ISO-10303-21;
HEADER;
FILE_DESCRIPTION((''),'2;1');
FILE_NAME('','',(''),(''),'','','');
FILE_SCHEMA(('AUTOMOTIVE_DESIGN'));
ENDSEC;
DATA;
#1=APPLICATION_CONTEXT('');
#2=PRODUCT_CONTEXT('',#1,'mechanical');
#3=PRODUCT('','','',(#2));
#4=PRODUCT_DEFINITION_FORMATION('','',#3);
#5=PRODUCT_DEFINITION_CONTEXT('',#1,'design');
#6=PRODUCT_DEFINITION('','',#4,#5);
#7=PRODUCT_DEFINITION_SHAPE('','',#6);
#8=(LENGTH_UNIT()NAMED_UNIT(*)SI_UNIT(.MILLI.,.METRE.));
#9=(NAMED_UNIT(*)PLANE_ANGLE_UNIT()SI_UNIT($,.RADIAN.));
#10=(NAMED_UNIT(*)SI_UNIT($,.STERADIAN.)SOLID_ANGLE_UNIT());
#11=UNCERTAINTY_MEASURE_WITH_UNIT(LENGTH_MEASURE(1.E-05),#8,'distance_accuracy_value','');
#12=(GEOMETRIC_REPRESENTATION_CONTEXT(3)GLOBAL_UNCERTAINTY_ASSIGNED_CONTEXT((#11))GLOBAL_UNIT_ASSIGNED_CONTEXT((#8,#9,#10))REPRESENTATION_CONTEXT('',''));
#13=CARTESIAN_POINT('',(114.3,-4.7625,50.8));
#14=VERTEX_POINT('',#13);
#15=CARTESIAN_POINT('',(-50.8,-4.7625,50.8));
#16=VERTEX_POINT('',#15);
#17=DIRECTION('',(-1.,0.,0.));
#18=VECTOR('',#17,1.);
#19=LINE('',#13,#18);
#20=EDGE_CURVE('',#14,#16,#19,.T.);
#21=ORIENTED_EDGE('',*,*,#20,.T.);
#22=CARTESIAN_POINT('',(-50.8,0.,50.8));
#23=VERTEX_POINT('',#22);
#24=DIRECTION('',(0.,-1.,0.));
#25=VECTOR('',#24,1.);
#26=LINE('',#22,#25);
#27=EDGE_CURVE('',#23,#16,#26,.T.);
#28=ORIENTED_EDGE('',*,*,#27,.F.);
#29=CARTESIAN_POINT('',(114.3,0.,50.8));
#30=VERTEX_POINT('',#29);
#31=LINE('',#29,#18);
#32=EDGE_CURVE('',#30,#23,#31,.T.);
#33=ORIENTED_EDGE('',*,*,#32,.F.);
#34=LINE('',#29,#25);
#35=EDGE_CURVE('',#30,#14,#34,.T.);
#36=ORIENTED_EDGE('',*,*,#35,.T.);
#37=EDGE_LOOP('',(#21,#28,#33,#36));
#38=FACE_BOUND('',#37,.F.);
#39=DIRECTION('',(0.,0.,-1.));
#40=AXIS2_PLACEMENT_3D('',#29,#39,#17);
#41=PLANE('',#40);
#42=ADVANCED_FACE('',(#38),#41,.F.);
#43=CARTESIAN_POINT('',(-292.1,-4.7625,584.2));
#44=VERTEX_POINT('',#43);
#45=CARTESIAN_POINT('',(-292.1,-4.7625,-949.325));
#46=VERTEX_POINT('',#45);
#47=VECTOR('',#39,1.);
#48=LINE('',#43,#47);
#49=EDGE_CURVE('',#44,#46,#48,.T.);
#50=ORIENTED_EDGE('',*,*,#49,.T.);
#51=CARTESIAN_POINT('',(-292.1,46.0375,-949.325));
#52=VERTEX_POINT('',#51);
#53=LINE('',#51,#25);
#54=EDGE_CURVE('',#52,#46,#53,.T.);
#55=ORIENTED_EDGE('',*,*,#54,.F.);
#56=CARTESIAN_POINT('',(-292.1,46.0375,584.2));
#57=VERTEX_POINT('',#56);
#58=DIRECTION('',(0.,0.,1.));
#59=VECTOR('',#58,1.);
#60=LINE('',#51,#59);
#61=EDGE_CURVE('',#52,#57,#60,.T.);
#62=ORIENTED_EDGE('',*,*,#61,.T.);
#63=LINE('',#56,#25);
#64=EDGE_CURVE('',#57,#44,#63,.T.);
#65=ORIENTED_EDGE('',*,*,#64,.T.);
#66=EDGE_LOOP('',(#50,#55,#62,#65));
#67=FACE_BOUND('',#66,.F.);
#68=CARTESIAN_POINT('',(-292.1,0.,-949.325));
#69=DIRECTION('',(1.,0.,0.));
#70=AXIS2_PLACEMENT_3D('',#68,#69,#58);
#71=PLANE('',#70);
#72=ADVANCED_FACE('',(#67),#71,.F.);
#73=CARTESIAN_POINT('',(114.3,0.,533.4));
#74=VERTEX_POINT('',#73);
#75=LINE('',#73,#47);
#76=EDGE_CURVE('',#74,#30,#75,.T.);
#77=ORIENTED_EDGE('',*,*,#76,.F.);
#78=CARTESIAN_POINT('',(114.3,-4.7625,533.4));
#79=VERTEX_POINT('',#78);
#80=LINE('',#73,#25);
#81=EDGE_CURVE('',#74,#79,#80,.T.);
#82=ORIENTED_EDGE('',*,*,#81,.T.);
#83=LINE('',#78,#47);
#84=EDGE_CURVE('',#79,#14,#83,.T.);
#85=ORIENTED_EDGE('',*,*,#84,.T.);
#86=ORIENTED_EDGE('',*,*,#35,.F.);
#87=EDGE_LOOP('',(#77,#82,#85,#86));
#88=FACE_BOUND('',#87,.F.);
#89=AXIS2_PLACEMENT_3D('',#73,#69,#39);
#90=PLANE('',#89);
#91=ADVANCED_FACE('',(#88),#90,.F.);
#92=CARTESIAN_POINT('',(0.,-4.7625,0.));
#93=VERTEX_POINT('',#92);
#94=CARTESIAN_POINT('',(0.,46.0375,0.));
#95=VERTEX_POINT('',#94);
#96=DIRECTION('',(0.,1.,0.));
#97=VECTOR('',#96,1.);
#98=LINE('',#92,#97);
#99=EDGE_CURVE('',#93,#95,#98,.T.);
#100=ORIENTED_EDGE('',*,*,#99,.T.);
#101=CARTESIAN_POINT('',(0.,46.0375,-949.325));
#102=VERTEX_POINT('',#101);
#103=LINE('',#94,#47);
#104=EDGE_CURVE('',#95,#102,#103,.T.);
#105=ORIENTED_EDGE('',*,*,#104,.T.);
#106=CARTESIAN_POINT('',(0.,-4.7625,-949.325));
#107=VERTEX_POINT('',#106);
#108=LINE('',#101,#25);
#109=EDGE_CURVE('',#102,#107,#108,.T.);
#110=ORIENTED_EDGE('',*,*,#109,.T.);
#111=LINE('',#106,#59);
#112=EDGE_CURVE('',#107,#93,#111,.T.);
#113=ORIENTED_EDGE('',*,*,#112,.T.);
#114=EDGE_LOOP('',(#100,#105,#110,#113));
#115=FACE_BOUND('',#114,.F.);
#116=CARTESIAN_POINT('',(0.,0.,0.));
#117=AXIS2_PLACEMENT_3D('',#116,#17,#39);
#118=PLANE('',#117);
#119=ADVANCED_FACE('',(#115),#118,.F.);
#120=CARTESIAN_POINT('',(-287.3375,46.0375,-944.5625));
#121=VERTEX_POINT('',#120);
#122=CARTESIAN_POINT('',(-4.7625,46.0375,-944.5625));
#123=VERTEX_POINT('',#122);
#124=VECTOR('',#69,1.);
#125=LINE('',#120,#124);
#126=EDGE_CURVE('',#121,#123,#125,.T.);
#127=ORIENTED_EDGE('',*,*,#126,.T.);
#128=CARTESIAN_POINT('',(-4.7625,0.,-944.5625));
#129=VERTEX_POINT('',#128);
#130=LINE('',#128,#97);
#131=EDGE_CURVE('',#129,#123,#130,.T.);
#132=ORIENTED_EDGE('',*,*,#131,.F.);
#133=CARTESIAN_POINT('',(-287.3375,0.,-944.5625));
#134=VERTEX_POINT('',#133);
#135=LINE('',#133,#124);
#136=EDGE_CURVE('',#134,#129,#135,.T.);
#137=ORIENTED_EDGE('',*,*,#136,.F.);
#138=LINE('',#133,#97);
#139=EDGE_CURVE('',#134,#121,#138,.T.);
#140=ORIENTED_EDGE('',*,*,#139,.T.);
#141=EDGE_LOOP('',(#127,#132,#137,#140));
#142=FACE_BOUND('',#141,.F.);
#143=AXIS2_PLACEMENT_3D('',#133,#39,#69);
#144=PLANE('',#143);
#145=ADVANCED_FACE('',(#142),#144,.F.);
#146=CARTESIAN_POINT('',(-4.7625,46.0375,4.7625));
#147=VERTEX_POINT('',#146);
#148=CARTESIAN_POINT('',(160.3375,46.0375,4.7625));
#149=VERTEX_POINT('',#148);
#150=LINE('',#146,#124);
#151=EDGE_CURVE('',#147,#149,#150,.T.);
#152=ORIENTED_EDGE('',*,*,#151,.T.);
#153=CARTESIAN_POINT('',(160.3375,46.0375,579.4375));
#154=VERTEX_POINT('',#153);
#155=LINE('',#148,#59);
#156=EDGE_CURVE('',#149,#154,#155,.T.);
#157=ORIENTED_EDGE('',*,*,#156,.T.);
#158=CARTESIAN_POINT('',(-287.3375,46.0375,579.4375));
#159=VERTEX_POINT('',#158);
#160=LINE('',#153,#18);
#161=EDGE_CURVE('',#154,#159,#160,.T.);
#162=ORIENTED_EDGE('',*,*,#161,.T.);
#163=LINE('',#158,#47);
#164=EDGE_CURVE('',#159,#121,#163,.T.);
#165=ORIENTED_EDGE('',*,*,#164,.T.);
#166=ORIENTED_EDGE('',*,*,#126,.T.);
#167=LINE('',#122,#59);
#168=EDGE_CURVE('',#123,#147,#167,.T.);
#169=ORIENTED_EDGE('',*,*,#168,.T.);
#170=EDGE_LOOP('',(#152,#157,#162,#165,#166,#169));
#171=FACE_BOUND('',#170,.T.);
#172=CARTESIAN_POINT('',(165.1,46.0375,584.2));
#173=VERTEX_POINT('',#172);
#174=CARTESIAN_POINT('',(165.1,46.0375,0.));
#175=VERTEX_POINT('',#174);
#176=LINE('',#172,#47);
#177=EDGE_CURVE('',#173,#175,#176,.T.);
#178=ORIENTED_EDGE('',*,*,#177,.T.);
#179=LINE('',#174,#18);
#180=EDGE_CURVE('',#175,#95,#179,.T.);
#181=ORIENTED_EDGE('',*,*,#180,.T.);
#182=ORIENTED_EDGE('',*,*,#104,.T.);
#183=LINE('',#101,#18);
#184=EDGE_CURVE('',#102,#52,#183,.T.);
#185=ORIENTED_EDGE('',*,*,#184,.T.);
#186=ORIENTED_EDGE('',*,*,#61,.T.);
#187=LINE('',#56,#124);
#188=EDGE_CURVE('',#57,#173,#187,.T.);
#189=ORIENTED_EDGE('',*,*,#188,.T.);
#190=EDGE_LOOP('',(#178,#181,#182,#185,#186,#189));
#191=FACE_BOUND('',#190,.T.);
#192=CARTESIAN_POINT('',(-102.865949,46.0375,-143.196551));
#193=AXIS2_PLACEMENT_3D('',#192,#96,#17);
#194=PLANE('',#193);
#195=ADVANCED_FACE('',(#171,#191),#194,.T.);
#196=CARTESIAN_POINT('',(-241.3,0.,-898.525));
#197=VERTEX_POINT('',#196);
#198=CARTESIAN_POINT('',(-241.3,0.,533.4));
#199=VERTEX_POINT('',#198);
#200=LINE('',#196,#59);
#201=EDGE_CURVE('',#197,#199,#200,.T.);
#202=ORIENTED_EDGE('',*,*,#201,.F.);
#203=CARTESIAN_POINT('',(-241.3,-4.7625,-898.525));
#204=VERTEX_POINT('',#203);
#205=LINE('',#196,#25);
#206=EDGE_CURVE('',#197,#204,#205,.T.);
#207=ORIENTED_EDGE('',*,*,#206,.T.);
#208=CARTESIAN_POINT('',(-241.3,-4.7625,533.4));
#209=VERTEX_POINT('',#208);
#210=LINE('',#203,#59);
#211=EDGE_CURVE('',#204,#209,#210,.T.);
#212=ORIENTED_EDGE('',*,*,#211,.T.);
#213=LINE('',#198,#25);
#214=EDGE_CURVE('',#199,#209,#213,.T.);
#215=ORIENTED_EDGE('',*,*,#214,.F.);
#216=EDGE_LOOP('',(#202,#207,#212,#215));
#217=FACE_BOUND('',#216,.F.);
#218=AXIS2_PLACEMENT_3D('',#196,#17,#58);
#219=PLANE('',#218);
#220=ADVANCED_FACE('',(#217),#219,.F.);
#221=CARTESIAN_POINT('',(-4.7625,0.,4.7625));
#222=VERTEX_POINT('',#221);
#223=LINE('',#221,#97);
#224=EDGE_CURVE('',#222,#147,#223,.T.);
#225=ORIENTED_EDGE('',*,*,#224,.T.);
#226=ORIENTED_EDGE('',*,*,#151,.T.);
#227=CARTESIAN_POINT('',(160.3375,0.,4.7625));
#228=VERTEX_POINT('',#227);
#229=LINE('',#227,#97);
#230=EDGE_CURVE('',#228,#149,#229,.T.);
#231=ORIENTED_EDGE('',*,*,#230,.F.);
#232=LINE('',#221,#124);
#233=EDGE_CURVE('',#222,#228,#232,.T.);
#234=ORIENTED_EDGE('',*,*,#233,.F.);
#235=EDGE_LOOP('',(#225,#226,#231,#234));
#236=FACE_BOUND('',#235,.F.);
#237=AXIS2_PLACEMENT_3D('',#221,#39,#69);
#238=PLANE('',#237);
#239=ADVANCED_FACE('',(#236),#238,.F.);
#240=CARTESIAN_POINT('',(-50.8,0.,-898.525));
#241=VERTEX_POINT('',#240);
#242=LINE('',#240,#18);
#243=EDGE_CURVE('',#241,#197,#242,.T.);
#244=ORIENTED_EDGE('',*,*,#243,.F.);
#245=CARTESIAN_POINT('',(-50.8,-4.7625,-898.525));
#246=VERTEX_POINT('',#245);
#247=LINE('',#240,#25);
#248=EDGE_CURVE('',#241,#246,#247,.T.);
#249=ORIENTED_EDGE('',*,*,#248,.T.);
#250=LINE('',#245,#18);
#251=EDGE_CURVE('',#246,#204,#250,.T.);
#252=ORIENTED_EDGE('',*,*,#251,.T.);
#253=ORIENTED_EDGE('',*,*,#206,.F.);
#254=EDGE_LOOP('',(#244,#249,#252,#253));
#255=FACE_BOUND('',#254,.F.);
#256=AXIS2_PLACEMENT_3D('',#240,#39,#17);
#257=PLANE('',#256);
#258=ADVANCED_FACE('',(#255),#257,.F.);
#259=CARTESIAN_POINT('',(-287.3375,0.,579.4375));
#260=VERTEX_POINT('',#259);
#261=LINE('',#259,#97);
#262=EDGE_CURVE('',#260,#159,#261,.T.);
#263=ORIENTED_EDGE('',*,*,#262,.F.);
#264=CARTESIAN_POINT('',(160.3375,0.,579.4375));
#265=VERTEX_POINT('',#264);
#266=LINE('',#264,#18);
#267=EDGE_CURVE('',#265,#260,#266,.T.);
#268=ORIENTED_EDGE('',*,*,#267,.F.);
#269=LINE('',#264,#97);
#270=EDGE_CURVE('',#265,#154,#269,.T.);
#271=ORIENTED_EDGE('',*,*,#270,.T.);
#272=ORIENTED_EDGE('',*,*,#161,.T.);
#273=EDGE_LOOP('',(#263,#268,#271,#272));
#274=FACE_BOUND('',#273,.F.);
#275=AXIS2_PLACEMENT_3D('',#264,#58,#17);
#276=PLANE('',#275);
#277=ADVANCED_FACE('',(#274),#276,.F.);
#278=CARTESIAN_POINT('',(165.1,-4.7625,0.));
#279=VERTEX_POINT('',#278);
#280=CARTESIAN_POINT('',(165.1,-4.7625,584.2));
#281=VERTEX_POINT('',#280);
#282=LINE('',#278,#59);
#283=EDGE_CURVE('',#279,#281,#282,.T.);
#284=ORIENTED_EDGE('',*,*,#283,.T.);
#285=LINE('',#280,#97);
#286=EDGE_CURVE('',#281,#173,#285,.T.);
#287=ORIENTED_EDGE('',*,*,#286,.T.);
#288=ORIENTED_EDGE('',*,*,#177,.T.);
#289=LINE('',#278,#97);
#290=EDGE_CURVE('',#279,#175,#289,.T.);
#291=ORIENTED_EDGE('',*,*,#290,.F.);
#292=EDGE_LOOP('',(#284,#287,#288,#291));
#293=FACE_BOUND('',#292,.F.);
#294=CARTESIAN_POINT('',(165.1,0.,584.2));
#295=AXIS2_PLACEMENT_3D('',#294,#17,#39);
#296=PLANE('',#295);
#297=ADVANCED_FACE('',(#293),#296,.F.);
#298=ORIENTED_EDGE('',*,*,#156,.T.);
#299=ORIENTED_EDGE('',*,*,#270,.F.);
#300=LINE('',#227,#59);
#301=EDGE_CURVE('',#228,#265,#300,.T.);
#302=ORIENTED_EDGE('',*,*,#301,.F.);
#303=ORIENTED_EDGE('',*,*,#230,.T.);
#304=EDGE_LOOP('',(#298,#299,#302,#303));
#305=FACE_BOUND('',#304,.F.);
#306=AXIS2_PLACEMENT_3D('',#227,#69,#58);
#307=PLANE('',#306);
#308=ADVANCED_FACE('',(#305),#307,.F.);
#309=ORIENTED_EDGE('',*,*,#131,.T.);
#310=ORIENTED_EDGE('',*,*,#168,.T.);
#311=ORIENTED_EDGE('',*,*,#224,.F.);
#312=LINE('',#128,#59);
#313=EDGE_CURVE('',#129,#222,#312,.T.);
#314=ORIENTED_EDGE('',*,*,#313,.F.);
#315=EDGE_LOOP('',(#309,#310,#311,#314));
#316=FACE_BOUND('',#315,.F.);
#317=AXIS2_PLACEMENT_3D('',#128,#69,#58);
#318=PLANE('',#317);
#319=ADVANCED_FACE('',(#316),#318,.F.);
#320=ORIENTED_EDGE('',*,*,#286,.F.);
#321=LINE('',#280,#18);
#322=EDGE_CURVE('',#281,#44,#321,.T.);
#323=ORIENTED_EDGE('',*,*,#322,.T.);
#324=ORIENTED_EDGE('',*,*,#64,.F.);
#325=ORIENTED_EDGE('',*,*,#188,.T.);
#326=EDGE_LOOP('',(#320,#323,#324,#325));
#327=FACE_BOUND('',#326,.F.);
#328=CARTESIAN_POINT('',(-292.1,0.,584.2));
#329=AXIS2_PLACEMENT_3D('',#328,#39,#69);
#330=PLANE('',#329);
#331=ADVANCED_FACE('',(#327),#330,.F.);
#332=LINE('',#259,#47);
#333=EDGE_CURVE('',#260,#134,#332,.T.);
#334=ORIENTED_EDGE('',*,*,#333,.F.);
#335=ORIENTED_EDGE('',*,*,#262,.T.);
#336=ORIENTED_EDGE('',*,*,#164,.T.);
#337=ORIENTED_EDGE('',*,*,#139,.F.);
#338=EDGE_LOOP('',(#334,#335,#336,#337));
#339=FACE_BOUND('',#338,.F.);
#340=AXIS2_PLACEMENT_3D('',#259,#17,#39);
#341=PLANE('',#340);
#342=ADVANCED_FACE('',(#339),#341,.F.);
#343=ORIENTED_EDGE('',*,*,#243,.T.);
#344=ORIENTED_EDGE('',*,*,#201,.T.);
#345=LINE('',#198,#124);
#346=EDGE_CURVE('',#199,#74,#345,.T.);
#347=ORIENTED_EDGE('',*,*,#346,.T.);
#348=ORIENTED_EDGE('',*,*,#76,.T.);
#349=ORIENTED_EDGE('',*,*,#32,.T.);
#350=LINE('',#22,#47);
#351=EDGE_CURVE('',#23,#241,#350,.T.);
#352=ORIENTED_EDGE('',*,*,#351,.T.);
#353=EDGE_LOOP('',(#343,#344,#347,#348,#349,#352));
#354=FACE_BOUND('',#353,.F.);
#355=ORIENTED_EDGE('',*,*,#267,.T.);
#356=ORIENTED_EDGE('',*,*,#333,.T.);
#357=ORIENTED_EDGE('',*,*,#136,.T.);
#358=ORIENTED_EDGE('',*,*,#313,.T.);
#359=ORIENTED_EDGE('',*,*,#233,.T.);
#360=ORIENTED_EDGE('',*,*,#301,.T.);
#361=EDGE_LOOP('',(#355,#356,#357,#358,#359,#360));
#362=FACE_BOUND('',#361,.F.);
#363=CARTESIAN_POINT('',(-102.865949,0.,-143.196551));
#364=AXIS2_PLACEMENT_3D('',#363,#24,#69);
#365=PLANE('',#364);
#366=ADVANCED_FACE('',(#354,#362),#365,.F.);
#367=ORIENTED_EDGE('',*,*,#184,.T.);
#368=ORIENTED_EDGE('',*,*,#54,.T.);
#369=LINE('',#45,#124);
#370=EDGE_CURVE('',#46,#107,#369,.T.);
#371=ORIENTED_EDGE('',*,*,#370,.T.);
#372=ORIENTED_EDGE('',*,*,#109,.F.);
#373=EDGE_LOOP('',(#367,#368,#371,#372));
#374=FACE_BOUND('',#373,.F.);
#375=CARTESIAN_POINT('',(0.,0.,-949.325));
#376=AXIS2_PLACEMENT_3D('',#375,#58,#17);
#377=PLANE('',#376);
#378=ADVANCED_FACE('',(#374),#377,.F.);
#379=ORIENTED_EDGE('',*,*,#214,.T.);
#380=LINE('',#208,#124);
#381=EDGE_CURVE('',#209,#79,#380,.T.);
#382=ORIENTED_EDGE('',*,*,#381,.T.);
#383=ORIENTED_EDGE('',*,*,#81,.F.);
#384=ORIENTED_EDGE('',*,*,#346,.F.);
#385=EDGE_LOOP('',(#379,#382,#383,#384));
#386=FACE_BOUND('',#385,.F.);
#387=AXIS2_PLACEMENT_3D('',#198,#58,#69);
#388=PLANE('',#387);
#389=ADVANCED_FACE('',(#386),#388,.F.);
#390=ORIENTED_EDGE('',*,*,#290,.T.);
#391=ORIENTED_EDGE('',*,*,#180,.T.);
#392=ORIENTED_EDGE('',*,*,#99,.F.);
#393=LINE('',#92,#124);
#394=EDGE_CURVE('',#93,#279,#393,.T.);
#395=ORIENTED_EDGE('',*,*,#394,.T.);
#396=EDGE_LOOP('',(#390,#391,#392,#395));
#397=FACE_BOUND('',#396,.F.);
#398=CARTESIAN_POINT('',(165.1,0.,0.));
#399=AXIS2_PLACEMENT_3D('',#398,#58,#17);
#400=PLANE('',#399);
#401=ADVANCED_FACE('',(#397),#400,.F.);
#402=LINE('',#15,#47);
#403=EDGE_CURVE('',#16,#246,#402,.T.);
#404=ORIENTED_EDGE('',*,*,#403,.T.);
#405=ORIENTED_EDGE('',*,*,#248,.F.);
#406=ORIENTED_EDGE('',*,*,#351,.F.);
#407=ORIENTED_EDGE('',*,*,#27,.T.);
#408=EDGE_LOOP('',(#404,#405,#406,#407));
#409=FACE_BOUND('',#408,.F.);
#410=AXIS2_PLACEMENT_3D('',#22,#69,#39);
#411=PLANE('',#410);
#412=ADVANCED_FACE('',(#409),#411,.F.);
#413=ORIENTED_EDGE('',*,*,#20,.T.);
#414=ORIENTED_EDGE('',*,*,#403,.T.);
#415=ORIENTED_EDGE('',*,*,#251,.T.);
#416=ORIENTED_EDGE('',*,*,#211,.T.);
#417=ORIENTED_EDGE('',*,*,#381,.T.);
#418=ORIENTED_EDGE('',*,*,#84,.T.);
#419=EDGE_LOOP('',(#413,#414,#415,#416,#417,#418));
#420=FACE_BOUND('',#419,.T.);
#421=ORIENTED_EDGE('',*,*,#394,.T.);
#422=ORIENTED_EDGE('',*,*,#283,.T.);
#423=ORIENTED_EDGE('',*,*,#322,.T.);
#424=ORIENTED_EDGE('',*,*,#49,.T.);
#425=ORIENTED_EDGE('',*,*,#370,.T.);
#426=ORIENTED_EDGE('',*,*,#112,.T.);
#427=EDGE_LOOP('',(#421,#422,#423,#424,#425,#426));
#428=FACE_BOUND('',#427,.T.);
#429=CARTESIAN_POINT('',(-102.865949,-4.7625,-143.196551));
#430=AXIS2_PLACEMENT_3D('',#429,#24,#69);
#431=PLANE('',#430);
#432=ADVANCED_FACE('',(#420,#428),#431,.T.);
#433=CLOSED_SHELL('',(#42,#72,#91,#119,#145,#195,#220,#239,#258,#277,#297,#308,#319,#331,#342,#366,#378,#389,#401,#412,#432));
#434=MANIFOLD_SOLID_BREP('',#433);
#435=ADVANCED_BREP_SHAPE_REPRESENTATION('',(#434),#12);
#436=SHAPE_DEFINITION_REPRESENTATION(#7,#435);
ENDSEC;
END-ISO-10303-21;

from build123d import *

# Parameters (mm, degrees)
F1_DEPTH = 4.7625
F3_DEPTH = 46.0375


with BuildPart() as f1:
    # F0 (on Front) → F1 (new body)
    with BuildSketch(Plane.XZ):
        Polygon((165.1, 0), (165.1, 584.2), (-292.1, 584.2), (-292.1, -949.325), (0, -949.325), (0, 0), align=None)
        Polygon((-241.3, 533.4), (114.3, 533.4), (114.3, 50.8), (-50.8, 50.8), (-50.8, -898.525), (-241.3, -898.525), align=None, mode=Mode.SUBTRACT)
    extrude(amount=F1_DEPTH)

    # F2 (on face) → F3 (join)
    with BuildSketch(Plane(origin=(0, 0, 0), x_dir=(-1, 0, 0), z_dir=(0, 1, 0))):
        Polygon((292.1, 584.2), (-165.1, 584.2), (-165.1, 0), (0, 0), (0, -949.325), (292.1, -949.325), align=None)
        Polygon((4.7625, -944.5625), (4.7625, 4.7625), (-160.3375, 4.7625), (-160.3375, 579.4375), (287.3375, 579.4375), (287.3375, -944.5625), align=None, mode=Mode.SUBTRACT)
    extrude(amount=F3_DEPTH)


solid = f1.part
